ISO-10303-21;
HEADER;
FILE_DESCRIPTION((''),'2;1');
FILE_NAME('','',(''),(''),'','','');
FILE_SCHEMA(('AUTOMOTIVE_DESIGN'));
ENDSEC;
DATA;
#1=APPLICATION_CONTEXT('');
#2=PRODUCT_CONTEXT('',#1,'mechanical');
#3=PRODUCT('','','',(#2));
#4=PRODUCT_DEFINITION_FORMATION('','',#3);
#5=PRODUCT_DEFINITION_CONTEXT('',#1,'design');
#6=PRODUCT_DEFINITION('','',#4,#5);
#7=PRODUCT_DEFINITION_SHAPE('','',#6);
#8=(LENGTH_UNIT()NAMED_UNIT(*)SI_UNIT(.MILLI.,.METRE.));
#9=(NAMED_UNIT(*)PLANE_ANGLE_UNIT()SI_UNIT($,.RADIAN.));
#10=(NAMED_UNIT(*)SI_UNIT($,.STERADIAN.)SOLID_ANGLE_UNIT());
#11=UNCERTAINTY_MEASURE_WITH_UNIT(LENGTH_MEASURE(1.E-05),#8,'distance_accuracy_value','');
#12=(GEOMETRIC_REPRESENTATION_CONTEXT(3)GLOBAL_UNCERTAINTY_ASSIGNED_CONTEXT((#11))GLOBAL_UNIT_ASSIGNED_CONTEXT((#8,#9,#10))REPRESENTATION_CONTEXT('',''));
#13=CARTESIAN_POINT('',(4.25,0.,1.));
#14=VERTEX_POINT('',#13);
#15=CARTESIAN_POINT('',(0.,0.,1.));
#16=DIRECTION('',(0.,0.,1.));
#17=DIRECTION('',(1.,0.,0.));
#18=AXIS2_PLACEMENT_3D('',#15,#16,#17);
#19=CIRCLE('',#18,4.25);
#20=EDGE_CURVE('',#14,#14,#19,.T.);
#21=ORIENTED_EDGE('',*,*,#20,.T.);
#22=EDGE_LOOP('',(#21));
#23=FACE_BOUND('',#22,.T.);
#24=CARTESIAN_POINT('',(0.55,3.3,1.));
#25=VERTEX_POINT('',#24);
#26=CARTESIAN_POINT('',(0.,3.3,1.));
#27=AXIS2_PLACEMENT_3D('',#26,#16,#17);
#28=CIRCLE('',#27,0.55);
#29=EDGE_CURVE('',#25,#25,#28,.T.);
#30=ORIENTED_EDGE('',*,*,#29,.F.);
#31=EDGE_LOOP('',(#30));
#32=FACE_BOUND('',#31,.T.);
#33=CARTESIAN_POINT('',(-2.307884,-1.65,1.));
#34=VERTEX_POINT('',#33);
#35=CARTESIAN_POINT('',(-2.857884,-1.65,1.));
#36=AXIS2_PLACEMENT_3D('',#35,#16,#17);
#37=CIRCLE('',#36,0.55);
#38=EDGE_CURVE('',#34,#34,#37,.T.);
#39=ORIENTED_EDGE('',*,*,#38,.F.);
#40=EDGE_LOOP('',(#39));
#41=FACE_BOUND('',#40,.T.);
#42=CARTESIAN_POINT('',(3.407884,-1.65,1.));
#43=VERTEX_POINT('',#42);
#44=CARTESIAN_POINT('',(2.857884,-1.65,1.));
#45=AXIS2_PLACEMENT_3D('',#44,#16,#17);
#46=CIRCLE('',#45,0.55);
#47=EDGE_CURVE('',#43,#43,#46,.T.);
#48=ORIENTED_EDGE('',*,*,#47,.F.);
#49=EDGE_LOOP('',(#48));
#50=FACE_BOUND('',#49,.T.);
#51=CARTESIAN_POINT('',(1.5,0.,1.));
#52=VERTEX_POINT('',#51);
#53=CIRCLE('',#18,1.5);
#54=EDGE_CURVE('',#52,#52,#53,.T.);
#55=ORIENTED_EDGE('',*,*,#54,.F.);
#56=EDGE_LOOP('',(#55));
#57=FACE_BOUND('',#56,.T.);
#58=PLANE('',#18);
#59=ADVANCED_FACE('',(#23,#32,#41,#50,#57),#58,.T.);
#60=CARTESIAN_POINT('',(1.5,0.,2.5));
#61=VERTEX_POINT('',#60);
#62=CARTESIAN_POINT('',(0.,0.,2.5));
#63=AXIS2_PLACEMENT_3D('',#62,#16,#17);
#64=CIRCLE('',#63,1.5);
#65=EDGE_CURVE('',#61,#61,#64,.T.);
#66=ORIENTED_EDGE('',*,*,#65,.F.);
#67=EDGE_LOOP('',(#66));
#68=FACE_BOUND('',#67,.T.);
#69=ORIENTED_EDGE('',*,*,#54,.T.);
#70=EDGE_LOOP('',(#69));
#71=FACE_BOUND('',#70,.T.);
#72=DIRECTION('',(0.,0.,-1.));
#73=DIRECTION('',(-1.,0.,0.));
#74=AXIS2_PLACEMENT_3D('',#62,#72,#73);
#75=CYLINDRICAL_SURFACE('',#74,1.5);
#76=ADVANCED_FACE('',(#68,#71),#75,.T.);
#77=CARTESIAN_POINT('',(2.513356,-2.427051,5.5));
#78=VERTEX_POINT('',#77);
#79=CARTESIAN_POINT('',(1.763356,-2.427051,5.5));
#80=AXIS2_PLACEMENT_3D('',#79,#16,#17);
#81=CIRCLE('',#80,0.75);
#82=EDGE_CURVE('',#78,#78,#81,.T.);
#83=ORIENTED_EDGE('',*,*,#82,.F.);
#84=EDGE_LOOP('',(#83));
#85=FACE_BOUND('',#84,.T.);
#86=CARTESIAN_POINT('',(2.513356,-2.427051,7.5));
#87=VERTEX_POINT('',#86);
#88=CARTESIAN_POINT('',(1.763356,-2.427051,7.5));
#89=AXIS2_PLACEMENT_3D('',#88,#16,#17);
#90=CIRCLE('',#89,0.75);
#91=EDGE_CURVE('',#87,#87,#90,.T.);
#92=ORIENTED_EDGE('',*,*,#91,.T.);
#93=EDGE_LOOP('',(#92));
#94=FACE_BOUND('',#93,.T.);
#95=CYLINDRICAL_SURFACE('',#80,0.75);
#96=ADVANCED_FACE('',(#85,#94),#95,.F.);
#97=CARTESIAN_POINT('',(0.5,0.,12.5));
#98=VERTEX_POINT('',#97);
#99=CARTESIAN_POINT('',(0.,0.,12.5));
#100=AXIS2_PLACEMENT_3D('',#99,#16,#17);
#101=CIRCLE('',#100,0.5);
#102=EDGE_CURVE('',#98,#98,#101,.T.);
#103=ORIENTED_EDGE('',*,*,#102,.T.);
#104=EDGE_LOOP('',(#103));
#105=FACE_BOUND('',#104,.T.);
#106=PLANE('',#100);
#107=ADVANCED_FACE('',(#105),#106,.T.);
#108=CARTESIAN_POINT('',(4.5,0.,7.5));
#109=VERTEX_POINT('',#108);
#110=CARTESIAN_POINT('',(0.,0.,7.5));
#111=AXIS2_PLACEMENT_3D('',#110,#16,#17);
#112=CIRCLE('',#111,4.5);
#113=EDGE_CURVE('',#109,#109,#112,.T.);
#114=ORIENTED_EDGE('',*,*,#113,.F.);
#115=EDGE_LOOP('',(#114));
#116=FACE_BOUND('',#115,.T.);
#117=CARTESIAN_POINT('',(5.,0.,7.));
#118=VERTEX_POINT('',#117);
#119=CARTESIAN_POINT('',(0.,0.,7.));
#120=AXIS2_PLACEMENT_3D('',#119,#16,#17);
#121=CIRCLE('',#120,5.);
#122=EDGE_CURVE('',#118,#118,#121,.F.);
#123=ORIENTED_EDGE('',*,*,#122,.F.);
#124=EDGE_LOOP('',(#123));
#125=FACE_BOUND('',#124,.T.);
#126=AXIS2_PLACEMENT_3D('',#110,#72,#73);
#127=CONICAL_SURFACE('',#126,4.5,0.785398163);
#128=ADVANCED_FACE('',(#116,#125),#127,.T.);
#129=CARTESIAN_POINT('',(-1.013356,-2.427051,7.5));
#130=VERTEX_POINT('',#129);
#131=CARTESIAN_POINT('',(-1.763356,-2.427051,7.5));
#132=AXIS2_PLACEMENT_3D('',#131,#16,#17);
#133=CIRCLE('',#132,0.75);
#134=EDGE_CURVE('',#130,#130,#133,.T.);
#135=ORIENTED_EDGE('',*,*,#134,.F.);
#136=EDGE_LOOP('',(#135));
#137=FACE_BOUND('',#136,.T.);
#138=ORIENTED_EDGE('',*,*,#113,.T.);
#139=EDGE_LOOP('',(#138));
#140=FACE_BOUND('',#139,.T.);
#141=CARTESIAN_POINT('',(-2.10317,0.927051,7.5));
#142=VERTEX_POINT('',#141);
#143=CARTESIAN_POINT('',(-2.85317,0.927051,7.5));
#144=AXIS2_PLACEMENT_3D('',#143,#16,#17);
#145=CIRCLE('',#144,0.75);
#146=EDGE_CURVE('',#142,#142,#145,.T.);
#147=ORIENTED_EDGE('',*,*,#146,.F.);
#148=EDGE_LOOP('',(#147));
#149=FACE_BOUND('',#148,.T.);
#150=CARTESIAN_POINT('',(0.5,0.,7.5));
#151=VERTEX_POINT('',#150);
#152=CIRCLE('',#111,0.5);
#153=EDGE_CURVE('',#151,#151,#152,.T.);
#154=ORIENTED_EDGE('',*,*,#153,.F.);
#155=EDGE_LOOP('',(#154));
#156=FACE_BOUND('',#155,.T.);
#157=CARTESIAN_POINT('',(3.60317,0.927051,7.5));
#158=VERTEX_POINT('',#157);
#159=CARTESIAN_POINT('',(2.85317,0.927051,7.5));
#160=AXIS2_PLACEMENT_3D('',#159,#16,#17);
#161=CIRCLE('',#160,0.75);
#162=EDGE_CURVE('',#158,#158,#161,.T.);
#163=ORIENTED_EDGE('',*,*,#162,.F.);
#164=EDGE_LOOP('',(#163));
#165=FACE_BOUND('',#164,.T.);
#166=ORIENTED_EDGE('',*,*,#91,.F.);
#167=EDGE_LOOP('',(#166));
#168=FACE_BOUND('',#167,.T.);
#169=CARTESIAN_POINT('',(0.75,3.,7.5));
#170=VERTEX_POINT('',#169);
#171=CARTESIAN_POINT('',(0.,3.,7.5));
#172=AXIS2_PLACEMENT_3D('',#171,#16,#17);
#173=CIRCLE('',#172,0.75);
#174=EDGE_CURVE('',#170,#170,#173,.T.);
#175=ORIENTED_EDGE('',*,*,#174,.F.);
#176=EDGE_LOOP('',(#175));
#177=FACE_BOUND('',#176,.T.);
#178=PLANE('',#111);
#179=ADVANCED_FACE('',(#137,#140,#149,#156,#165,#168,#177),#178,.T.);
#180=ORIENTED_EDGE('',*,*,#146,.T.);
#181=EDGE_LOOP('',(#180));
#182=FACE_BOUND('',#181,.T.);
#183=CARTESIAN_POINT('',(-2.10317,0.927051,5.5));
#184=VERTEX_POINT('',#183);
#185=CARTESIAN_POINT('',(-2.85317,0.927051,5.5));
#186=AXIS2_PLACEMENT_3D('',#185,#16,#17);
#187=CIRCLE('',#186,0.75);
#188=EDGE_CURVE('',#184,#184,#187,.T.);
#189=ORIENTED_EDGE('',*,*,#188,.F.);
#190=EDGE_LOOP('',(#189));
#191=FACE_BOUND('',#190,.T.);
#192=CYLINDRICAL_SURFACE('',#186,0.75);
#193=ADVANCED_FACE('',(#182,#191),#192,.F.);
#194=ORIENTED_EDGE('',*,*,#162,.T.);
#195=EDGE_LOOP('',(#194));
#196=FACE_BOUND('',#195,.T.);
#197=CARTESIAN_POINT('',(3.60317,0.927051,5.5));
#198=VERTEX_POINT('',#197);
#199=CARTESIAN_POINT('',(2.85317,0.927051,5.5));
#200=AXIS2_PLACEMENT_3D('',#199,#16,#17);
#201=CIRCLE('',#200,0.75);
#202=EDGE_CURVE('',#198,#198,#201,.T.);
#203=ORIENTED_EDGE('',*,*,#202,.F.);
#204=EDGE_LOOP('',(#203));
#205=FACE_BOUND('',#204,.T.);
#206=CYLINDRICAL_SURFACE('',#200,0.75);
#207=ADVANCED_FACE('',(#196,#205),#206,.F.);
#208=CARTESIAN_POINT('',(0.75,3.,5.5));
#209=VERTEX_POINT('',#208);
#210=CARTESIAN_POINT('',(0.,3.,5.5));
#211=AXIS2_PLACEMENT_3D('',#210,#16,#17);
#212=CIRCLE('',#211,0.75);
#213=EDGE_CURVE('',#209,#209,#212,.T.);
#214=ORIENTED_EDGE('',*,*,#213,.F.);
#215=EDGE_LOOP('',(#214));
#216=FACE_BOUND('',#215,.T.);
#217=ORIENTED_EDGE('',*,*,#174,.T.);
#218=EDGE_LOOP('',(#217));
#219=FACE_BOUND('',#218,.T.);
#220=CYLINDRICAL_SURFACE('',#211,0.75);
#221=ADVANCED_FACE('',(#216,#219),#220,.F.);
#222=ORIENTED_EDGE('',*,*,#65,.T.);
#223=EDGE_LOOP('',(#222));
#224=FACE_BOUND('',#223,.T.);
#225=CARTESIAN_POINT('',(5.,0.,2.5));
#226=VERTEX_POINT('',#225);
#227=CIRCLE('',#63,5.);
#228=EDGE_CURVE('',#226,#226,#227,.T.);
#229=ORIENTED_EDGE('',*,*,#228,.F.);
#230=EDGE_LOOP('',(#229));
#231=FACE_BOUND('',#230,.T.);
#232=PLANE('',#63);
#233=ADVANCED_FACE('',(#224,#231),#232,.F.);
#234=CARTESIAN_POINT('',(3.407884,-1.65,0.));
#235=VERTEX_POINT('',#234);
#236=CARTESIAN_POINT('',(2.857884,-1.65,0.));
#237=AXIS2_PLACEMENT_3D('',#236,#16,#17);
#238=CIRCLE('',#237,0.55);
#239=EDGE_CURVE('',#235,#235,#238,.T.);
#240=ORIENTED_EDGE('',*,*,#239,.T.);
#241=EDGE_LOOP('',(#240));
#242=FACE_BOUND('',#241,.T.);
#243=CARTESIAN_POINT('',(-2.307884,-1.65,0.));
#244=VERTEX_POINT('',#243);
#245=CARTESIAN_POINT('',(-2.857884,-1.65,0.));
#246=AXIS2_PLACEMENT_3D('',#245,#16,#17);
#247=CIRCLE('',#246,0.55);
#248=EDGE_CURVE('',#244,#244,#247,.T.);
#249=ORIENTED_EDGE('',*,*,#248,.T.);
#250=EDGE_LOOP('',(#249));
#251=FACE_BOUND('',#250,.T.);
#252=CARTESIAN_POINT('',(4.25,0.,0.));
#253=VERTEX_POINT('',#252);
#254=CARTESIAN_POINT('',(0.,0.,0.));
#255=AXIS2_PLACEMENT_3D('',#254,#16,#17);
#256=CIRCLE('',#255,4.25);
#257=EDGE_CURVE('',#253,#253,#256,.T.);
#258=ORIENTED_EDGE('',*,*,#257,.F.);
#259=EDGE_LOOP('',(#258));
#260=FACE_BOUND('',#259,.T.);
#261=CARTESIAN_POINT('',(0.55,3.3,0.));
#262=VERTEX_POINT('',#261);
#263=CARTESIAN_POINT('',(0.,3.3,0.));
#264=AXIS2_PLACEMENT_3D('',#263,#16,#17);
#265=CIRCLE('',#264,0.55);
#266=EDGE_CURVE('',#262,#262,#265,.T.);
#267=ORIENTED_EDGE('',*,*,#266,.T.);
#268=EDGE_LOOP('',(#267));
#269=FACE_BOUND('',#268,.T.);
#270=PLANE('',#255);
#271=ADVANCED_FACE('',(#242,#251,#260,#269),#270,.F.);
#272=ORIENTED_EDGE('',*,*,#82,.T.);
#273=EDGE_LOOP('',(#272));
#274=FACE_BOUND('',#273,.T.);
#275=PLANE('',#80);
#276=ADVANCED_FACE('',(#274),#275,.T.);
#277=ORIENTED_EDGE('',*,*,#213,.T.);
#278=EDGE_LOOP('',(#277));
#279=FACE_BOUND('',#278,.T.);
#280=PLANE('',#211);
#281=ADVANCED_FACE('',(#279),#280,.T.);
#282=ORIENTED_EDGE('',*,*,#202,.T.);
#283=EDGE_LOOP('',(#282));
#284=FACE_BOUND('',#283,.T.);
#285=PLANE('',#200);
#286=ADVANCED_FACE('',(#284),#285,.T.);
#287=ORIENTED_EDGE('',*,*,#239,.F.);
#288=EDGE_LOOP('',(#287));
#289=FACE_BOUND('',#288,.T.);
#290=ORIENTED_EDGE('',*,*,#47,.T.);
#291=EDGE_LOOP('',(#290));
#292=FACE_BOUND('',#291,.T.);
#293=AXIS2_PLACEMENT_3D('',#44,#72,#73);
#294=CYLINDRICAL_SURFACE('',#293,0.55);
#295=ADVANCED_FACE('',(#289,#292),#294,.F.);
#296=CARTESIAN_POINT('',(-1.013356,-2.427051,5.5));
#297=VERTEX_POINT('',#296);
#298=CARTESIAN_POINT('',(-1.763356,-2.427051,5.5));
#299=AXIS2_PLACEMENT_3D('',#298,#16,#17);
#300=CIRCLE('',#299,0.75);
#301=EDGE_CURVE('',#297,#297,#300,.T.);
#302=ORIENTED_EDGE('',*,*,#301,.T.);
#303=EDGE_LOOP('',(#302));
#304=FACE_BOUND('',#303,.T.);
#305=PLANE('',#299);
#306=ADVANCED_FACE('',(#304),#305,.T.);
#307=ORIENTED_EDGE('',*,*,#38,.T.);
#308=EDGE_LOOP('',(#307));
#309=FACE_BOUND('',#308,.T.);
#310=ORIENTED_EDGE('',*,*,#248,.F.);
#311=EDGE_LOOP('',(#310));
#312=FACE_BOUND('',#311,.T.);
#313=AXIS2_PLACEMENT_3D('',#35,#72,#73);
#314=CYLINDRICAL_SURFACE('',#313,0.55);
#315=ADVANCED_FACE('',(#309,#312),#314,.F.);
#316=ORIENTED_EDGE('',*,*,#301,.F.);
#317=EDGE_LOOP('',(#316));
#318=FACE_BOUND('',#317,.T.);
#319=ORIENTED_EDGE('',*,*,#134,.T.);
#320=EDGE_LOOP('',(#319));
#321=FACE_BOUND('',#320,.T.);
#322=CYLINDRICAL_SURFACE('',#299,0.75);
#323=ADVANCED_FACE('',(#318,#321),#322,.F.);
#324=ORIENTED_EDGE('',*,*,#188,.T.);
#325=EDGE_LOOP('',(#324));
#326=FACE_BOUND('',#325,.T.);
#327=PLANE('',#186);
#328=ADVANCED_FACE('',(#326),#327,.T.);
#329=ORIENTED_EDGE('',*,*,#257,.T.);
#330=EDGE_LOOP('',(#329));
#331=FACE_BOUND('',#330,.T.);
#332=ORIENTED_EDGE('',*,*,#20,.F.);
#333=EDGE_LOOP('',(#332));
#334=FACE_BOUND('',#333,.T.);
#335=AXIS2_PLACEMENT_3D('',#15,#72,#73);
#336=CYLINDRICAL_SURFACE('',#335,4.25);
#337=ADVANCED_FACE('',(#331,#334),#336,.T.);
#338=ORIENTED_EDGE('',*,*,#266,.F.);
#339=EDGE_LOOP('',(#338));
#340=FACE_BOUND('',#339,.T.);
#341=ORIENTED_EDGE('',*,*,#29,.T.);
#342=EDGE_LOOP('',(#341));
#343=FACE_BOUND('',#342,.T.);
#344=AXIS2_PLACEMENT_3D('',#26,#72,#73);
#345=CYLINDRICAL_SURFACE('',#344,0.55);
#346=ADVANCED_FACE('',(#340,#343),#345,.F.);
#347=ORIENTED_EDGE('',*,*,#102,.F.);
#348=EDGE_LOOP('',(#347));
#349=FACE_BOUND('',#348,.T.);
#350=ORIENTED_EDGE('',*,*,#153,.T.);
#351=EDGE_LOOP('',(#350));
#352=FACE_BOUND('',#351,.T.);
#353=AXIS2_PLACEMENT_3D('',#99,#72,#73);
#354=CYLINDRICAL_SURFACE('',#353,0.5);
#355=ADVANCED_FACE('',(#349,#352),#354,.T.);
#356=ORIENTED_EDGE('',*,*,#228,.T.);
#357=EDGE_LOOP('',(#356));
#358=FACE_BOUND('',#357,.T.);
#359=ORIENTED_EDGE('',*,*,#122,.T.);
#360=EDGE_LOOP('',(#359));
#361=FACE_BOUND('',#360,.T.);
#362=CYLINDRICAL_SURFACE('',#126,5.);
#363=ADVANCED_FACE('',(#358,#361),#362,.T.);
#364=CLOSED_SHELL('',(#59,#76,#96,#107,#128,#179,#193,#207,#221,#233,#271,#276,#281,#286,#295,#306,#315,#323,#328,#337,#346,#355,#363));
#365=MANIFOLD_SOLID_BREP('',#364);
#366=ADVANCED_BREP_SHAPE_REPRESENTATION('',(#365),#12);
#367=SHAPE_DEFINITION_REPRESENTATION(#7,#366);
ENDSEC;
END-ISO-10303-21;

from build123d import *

# Parameters (mm, degrees)
SKETCH1_R           = 4.25
SKETCH1_R_2         = 0.55
BOSS_EXTRUDE1_DEPTH = 1
SKETCH2_R           = 1.5
BOSS_EXTRUDE2_DEPTH = 1.5
SKETCH3_R           = 5
BOSS_EXTRUDE3_DEPTH = 5
SKETCH4_R           = 0.5
BOSS_EXTRUDE4_DEPTH = 5
SKETCH5_R           = 0.75
CUT_EXTRUDE1_DEPTH  = 2
CHAMFER1_SIZE       = 0.5


with BuildPart() as part:
    # Sketch1 → Boss-Extrude1 (new body)
    with BuildSketch(Plane.XY):
        Circle(SKETCH1_R)
        with Locations((0, 3.3)):
            Circle(SKETCH1_R_2, mode=Mode.SUBTRACT)
        with Locations((2.857883832, -1.65)):
            Circle(SKETCH1_R_2, mode=Mode.SUBTRACT)
        with Locations((-2.857883832, -1.65)):
            Circle(SKETCH1_R_2, mode=Mode.SUBTRACT)
    extrude(amount=BOSS_EXTRUDE1_DEPTH)

    # Sketch2 → Boss-Extrude2 (add)
    with BuildSketch(Plane.XY.offset(1)):
        Circle(SKETCH2_R)
    extrude(amount=BOSS_EXTRUDE2_DEPTH)

    # Sketch3 → Boss-Extrude3 (add)
    with BuildSketch(Plane.XY.offset(2.5)):
        Circle(SKETCH3_R)
    extrude(amount=BOSS_EXTRUDE3_DEPTH)

    # Sketch4 → Boss-Extrude4 (add)
    with BuildSketch(Plane.XY.offset(7.5)):
        Circle(SKETCH4_R)
    extrude(amount=BOSS_EXTRUDE4_DEPTH)

    # Sketch5 → Cut-Extrude1 (cut)
    with BuildSketch(Plane.XY.offset(7.5)):
        with Locations((0, 3)):
            Circle(SKETCH5_R)
        with Locations((2.853169549, 0.927050983)):
            Circle(SKETCH5_R)
        with Locations((1.763355757, -2.427050983)):
            Circle(SKETCH5_R)
        with Locations((-1.763355757, -2.427050983)):
            Circle(SKETCH5_R)
        with Locations((-2.853169549, 0.927050983)):
            Circle(SKETCH5_R)
    extrude(amount=-CUT_EXTRUDE1_DEPTH, mode=Mode.SUBTRACT)

    # Chamfer1
    chamfer1_edges = [part.edges().sort_by_distance(p)[0] for p in [
        (-5, 0, 7.5),
    ]]
    chamfer(chamfer1_edges, length=CHAMFER1_SIZE)


solid = part.part
